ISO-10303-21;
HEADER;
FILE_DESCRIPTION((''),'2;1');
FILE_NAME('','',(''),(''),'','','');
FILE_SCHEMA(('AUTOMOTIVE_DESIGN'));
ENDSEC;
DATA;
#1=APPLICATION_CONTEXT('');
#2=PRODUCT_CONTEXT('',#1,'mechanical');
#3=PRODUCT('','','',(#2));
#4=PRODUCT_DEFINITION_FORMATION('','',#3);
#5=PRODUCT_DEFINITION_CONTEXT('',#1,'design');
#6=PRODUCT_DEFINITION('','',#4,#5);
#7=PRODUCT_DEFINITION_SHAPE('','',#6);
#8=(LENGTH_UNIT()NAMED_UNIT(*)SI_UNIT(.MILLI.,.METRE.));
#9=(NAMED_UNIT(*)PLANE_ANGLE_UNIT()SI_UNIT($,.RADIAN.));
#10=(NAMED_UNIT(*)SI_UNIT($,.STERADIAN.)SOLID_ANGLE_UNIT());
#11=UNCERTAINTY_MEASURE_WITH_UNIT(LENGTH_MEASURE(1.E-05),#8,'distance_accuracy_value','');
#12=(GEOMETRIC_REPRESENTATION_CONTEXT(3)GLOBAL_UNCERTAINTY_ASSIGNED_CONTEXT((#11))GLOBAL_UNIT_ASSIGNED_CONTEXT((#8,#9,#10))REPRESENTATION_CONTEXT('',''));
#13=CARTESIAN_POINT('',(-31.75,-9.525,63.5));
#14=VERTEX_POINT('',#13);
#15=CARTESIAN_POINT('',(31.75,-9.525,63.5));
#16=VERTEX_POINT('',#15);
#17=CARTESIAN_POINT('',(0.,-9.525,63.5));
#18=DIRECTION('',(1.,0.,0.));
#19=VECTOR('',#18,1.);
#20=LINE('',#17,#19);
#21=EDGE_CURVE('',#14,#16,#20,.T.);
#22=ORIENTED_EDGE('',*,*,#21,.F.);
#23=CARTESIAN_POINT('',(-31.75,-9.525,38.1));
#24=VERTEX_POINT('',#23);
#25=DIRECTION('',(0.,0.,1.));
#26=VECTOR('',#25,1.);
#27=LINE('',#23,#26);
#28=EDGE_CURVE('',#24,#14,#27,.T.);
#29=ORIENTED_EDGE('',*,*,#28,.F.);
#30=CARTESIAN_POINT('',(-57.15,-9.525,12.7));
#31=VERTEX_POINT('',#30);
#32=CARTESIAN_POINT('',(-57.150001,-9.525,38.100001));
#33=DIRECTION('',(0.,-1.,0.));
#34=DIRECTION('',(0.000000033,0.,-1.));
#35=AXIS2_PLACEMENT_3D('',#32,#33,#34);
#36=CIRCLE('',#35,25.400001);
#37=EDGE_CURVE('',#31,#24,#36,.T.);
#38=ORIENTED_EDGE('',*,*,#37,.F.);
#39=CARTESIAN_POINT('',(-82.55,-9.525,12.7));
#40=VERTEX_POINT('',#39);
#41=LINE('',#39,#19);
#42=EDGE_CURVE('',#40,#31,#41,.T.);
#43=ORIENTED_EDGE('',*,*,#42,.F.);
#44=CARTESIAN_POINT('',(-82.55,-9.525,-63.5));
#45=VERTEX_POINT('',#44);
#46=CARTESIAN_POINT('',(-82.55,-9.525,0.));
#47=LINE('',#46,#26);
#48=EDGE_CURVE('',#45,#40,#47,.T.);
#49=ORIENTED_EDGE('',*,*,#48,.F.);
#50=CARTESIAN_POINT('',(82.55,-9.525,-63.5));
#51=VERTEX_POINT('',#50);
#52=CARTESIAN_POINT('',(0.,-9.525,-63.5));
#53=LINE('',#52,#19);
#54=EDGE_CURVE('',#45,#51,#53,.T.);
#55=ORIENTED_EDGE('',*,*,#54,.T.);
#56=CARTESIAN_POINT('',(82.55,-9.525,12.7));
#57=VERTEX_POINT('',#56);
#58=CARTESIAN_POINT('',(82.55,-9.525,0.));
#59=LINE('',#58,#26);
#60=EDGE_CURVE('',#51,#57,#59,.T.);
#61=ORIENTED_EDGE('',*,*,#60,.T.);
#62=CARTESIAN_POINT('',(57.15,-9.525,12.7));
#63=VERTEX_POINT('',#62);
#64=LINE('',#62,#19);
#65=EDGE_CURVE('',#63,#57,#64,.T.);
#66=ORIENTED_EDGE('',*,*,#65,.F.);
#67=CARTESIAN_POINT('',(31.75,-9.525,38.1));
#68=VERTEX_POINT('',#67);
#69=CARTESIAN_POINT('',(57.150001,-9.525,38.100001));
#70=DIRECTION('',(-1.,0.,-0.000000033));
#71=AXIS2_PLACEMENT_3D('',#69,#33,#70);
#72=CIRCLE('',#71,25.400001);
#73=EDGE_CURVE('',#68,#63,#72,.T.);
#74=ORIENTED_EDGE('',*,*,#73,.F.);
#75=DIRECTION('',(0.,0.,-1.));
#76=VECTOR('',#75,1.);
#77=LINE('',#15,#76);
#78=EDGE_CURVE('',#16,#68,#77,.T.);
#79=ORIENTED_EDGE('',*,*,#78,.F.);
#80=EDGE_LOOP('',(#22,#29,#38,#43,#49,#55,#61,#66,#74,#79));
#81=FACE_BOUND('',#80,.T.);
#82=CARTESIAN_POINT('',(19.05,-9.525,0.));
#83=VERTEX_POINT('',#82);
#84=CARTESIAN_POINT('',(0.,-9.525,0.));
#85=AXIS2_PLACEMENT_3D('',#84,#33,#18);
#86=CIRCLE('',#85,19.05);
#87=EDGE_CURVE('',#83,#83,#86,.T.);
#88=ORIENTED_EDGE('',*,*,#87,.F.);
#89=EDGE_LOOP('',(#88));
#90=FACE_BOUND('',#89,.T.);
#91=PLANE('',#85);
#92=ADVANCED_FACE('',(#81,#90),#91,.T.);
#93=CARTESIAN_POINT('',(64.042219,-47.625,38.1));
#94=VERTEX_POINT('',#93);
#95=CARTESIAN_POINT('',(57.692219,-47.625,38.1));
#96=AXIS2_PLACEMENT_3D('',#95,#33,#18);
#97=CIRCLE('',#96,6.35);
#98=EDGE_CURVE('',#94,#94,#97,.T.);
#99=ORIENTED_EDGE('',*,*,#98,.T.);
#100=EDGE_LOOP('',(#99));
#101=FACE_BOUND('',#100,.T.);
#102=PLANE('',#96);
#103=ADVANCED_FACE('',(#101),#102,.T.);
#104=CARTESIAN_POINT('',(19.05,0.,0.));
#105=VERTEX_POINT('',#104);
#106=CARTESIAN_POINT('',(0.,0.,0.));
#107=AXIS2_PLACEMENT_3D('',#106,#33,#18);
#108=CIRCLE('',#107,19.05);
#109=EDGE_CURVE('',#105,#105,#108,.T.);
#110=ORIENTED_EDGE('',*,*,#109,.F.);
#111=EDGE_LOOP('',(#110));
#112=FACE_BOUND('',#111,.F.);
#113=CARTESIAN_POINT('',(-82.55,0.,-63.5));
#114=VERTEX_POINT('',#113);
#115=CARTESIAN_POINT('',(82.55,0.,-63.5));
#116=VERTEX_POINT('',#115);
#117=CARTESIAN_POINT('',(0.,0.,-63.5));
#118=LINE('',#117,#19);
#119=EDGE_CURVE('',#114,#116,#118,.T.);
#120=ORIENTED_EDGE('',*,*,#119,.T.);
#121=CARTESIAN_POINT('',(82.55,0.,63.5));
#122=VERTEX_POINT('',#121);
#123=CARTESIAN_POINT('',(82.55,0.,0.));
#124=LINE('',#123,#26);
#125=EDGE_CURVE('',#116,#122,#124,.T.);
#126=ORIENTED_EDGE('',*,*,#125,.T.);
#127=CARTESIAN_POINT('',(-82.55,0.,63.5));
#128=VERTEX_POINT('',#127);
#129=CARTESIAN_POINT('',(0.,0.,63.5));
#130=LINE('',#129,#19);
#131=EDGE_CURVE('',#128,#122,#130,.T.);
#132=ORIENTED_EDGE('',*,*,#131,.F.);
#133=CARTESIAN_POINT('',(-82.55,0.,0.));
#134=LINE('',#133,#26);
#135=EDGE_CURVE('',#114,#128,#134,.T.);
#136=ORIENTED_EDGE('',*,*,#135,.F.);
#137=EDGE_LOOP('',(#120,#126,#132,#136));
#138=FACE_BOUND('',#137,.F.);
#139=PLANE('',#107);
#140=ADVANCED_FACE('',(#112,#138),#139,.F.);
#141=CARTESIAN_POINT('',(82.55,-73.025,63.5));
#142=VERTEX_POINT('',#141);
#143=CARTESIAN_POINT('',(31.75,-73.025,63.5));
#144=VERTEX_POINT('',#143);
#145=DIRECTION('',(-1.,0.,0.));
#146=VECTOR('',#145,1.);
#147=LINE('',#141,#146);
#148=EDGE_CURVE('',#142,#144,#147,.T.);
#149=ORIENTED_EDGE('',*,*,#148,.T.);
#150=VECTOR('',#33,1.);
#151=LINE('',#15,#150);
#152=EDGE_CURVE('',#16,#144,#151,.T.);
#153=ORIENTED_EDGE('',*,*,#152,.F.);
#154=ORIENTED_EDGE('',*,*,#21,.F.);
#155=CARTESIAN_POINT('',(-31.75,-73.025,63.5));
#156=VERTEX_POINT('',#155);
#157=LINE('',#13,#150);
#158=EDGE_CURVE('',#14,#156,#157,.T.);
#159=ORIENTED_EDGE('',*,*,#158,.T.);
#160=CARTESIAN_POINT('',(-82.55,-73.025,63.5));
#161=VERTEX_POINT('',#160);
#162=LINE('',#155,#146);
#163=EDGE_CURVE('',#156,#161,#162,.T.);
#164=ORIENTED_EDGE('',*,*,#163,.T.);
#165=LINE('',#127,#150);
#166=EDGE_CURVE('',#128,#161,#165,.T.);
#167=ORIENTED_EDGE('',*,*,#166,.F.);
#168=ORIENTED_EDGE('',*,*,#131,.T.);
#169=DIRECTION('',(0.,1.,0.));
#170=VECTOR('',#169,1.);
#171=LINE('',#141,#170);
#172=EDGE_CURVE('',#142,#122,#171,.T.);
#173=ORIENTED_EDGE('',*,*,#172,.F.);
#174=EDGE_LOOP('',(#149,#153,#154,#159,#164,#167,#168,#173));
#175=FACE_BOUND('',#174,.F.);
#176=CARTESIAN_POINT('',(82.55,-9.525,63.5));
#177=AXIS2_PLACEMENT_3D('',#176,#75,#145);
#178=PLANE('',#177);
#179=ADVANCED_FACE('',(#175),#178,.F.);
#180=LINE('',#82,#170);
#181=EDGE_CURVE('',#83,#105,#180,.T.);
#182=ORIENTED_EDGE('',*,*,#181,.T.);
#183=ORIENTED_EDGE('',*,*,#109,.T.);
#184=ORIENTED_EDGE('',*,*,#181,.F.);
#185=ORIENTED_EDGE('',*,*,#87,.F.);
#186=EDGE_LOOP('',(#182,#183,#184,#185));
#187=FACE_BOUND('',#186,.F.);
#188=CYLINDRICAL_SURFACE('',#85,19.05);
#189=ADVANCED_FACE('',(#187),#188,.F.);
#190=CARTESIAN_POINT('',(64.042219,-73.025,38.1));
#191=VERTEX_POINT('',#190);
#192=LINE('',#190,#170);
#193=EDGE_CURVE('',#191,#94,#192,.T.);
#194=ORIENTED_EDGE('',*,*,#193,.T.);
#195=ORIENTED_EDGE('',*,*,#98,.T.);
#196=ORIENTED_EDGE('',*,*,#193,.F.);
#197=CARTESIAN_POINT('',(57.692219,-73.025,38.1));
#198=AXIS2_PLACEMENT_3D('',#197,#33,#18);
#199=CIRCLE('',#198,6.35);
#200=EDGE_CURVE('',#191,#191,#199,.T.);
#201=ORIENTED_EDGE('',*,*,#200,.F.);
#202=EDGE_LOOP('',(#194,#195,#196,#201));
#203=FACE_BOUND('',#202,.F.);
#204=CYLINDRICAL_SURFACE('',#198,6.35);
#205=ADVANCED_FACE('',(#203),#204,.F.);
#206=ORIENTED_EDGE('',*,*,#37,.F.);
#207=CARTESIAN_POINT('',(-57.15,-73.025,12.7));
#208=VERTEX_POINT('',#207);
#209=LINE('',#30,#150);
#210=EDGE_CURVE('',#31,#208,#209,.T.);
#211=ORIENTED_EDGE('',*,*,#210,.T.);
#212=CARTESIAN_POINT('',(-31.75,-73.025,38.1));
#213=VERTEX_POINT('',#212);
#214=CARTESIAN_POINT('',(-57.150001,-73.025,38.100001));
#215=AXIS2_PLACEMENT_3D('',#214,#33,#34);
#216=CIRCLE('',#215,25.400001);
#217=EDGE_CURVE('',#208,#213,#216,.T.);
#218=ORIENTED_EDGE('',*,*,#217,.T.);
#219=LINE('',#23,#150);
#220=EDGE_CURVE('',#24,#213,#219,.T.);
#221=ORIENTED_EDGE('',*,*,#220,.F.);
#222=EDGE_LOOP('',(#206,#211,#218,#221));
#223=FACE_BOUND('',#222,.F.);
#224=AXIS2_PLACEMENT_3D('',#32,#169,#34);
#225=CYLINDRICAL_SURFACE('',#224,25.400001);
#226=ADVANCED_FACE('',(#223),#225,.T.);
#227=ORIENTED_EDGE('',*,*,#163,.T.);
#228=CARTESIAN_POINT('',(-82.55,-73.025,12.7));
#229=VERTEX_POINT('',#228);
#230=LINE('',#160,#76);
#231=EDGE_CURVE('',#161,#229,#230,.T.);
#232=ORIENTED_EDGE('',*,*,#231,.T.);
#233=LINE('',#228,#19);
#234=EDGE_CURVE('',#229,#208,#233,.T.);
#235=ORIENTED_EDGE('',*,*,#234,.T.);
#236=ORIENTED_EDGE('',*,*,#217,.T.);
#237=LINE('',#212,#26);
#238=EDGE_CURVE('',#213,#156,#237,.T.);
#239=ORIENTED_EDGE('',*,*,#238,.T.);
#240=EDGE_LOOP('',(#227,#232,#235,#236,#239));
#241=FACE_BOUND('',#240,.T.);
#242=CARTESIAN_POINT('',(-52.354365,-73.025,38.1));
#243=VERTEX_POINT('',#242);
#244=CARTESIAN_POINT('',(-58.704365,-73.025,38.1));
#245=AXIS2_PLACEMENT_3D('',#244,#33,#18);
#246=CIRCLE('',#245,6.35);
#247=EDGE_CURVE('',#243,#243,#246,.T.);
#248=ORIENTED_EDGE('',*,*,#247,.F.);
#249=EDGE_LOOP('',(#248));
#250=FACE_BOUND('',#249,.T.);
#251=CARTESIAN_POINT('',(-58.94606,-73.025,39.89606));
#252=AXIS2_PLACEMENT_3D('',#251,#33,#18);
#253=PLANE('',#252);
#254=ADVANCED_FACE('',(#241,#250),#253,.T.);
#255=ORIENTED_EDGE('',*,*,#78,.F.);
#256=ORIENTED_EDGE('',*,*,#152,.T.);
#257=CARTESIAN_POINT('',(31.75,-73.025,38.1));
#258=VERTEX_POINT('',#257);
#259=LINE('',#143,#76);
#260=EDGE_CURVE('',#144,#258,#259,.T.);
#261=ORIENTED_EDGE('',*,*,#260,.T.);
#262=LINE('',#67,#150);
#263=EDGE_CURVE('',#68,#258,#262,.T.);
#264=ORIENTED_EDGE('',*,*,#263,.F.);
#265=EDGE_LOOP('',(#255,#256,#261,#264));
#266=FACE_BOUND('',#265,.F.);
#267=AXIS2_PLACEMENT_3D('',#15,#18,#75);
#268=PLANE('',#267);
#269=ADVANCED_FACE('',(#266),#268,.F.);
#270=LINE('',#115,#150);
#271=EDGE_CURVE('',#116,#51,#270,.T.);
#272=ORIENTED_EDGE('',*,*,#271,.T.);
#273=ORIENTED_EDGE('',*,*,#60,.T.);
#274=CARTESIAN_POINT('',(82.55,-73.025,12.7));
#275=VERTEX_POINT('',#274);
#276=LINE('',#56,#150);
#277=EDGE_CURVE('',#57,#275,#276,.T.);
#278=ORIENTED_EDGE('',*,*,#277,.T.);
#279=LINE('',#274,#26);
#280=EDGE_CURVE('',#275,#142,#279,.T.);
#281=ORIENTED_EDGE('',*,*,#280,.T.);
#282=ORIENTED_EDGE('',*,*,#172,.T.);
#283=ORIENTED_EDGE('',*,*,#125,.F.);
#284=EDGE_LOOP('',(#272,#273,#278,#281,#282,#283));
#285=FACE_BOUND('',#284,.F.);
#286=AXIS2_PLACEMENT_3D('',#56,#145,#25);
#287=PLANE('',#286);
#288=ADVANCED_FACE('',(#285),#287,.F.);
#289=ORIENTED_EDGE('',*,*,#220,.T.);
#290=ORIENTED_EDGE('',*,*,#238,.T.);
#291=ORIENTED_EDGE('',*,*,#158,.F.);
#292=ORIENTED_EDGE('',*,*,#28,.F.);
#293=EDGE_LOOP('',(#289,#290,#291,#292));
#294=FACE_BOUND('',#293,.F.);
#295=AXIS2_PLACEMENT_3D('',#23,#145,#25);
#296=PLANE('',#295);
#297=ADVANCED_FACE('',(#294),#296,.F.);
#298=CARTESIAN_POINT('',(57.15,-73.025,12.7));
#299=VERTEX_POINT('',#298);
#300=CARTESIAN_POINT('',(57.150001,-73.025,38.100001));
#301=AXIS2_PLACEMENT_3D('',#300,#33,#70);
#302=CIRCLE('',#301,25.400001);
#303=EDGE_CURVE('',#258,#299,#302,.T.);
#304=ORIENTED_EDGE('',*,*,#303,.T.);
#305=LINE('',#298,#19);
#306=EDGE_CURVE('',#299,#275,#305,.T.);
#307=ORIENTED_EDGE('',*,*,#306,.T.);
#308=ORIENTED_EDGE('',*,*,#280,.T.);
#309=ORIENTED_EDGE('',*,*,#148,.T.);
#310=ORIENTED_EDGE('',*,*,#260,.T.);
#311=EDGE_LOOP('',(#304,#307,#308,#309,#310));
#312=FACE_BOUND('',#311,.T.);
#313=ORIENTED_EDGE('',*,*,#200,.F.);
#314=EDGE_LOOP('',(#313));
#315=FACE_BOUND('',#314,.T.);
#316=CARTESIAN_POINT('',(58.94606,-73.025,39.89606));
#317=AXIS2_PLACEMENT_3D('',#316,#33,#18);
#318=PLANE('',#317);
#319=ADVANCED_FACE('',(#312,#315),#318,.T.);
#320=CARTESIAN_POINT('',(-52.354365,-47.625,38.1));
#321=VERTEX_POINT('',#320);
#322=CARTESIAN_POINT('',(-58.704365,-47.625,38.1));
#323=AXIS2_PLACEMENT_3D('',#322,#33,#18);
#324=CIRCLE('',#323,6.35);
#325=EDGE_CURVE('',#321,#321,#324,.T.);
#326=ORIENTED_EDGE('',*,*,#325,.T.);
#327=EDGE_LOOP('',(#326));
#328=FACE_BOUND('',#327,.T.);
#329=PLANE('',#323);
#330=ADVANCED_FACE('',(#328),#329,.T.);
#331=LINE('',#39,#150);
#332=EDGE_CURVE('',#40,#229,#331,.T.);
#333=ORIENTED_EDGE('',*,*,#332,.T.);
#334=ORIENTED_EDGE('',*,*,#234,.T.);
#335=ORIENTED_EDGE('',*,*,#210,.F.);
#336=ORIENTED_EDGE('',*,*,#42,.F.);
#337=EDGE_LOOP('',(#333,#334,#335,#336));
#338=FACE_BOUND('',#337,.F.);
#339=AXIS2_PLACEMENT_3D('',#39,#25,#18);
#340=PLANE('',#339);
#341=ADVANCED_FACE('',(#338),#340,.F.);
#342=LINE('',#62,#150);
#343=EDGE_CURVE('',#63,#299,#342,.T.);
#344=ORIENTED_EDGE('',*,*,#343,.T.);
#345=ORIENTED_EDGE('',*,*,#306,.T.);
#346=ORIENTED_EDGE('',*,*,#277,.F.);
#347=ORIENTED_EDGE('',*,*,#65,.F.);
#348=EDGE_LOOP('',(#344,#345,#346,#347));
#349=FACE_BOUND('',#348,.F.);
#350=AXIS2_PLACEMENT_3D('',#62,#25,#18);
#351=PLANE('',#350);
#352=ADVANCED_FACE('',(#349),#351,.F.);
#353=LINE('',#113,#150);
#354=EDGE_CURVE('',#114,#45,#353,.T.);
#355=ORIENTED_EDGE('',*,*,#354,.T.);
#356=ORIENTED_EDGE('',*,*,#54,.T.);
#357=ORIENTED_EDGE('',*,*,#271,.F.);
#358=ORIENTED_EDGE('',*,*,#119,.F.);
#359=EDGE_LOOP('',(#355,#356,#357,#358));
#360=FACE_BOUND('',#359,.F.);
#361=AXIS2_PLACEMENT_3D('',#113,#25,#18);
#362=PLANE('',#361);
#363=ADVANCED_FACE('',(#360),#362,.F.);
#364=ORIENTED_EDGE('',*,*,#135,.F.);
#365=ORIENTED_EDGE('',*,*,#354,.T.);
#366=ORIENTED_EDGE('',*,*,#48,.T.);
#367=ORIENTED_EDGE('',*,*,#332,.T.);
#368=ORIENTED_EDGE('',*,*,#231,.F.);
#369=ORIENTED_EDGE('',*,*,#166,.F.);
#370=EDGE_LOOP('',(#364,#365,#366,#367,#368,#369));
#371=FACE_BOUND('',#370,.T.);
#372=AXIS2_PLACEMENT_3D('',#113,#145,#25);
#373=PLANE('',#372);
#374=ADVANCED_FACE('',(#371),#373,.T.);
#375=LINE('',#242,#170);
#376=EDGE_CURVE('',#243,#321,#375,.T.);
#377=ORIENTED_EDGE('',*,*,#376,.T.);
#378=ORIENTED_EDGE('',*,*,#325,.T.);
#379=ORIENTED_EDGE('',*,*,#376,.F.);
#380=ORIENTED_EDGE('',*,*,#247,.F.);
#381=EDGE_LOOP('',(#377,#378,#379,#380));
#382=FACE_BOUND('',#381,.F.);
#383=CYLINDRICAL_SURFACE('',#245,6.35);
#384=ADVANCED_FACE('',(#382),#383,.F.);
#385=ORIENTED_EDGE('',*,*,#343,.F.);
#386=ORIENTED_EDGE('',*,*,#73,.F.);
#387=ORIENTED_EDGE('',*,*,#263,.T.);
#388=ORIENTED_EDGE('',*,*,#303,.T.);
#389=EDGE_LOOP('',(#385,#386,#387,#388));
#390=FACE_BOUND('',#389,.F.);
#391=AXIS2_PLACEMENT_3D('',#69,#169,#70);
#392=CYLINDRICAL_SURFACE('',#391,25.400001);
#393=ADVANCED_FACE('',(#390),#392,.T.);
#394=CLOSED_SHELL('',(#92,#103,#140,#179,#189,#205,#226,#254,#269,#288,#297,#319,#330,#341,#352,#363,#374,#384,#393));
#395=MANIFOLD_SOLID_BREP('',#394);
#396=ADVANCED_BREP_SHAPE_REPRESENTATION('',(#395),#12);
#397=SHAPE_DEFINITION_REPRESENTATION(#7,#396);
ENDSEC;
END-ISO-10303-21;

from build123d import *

# Parameters (mm, degrees)
F0_W     = 165.1
F0_H     = 127
F1_DEPTH = 9.525
F3_DEPTH = 63.5
F4_R     = 19.05
F6_DEPTH = 50.8
F5_R     = 6.35
F7_DEPTH = 25.4
F8_R     = 6.35
F9_DEPTH = 25.4


with BuildPart() as f1:
    # F0 (on Front) → F1 (new body)
    with BuildSketch(Plane.XZ):
        Rectangle(F0_W, F0_H)
    extrude(amount=F1_DEPTH)

    # F2 (on face) → F3 (join)
    with BuildSketch(Plane.XZ.offset(9.525)):
        with BuildLine():
            Line((82.55, 63.5), (31.75, 63.5))
            Line((31.75, 63.5), (31.75, 38.1))
            ThreePointArc((31.75, 38.1), (39.189488, 20.139488), (57.15, 12.7))
            Line((57.15, 12.7), (82.55, 12.7))
            Line((82.55, 12.7), (82.55, 63.5))
        make_face()
        with BuildLine():
            Line((-31.75, 63.5), (-82.55, 63.5))
            Line((-82.55, 63.5), (-82.55, 12.7))
            Line((-82.55, 12.7), (-57.15, 12.7))
            ThreePointArc((-57.15, 12.7), (-39.189488, 20.139488), (-31.75, 38.1))
            Line((-31.75, 38.1), (-31.75, 63.5))
        make_face()
    extrude(amount=F3_DEPTH)

    # F4 (on face) → F6 (cut)
    with BuildSketch(Plane.XZ.offset(9.525)):
        Circle(F4_R)
    extrude(amount=-F6_DEPTH, mode=Mode.SUBTRACT)

    # F5 (on face) → F7 (cut)
    with BuildSketch(Plane.XZ.offset(73.025)):
        with Locations((-58.704365, 38.1)):
            Circle(F5_R)
    extrude(amount=-F7_DEPTH, mode=Mode.SUBTRACT)

    # F8 (on face) → F9 (cut)
    with BuildSketch(Plane.XZ.offset(73.025)):
        with Locations((57.692219, 38.1)):
            Circle(F8_R)
    extrude(amount=-F9_DEPTH, mode=Mode.SUBTRACT)


solid = f1.part
